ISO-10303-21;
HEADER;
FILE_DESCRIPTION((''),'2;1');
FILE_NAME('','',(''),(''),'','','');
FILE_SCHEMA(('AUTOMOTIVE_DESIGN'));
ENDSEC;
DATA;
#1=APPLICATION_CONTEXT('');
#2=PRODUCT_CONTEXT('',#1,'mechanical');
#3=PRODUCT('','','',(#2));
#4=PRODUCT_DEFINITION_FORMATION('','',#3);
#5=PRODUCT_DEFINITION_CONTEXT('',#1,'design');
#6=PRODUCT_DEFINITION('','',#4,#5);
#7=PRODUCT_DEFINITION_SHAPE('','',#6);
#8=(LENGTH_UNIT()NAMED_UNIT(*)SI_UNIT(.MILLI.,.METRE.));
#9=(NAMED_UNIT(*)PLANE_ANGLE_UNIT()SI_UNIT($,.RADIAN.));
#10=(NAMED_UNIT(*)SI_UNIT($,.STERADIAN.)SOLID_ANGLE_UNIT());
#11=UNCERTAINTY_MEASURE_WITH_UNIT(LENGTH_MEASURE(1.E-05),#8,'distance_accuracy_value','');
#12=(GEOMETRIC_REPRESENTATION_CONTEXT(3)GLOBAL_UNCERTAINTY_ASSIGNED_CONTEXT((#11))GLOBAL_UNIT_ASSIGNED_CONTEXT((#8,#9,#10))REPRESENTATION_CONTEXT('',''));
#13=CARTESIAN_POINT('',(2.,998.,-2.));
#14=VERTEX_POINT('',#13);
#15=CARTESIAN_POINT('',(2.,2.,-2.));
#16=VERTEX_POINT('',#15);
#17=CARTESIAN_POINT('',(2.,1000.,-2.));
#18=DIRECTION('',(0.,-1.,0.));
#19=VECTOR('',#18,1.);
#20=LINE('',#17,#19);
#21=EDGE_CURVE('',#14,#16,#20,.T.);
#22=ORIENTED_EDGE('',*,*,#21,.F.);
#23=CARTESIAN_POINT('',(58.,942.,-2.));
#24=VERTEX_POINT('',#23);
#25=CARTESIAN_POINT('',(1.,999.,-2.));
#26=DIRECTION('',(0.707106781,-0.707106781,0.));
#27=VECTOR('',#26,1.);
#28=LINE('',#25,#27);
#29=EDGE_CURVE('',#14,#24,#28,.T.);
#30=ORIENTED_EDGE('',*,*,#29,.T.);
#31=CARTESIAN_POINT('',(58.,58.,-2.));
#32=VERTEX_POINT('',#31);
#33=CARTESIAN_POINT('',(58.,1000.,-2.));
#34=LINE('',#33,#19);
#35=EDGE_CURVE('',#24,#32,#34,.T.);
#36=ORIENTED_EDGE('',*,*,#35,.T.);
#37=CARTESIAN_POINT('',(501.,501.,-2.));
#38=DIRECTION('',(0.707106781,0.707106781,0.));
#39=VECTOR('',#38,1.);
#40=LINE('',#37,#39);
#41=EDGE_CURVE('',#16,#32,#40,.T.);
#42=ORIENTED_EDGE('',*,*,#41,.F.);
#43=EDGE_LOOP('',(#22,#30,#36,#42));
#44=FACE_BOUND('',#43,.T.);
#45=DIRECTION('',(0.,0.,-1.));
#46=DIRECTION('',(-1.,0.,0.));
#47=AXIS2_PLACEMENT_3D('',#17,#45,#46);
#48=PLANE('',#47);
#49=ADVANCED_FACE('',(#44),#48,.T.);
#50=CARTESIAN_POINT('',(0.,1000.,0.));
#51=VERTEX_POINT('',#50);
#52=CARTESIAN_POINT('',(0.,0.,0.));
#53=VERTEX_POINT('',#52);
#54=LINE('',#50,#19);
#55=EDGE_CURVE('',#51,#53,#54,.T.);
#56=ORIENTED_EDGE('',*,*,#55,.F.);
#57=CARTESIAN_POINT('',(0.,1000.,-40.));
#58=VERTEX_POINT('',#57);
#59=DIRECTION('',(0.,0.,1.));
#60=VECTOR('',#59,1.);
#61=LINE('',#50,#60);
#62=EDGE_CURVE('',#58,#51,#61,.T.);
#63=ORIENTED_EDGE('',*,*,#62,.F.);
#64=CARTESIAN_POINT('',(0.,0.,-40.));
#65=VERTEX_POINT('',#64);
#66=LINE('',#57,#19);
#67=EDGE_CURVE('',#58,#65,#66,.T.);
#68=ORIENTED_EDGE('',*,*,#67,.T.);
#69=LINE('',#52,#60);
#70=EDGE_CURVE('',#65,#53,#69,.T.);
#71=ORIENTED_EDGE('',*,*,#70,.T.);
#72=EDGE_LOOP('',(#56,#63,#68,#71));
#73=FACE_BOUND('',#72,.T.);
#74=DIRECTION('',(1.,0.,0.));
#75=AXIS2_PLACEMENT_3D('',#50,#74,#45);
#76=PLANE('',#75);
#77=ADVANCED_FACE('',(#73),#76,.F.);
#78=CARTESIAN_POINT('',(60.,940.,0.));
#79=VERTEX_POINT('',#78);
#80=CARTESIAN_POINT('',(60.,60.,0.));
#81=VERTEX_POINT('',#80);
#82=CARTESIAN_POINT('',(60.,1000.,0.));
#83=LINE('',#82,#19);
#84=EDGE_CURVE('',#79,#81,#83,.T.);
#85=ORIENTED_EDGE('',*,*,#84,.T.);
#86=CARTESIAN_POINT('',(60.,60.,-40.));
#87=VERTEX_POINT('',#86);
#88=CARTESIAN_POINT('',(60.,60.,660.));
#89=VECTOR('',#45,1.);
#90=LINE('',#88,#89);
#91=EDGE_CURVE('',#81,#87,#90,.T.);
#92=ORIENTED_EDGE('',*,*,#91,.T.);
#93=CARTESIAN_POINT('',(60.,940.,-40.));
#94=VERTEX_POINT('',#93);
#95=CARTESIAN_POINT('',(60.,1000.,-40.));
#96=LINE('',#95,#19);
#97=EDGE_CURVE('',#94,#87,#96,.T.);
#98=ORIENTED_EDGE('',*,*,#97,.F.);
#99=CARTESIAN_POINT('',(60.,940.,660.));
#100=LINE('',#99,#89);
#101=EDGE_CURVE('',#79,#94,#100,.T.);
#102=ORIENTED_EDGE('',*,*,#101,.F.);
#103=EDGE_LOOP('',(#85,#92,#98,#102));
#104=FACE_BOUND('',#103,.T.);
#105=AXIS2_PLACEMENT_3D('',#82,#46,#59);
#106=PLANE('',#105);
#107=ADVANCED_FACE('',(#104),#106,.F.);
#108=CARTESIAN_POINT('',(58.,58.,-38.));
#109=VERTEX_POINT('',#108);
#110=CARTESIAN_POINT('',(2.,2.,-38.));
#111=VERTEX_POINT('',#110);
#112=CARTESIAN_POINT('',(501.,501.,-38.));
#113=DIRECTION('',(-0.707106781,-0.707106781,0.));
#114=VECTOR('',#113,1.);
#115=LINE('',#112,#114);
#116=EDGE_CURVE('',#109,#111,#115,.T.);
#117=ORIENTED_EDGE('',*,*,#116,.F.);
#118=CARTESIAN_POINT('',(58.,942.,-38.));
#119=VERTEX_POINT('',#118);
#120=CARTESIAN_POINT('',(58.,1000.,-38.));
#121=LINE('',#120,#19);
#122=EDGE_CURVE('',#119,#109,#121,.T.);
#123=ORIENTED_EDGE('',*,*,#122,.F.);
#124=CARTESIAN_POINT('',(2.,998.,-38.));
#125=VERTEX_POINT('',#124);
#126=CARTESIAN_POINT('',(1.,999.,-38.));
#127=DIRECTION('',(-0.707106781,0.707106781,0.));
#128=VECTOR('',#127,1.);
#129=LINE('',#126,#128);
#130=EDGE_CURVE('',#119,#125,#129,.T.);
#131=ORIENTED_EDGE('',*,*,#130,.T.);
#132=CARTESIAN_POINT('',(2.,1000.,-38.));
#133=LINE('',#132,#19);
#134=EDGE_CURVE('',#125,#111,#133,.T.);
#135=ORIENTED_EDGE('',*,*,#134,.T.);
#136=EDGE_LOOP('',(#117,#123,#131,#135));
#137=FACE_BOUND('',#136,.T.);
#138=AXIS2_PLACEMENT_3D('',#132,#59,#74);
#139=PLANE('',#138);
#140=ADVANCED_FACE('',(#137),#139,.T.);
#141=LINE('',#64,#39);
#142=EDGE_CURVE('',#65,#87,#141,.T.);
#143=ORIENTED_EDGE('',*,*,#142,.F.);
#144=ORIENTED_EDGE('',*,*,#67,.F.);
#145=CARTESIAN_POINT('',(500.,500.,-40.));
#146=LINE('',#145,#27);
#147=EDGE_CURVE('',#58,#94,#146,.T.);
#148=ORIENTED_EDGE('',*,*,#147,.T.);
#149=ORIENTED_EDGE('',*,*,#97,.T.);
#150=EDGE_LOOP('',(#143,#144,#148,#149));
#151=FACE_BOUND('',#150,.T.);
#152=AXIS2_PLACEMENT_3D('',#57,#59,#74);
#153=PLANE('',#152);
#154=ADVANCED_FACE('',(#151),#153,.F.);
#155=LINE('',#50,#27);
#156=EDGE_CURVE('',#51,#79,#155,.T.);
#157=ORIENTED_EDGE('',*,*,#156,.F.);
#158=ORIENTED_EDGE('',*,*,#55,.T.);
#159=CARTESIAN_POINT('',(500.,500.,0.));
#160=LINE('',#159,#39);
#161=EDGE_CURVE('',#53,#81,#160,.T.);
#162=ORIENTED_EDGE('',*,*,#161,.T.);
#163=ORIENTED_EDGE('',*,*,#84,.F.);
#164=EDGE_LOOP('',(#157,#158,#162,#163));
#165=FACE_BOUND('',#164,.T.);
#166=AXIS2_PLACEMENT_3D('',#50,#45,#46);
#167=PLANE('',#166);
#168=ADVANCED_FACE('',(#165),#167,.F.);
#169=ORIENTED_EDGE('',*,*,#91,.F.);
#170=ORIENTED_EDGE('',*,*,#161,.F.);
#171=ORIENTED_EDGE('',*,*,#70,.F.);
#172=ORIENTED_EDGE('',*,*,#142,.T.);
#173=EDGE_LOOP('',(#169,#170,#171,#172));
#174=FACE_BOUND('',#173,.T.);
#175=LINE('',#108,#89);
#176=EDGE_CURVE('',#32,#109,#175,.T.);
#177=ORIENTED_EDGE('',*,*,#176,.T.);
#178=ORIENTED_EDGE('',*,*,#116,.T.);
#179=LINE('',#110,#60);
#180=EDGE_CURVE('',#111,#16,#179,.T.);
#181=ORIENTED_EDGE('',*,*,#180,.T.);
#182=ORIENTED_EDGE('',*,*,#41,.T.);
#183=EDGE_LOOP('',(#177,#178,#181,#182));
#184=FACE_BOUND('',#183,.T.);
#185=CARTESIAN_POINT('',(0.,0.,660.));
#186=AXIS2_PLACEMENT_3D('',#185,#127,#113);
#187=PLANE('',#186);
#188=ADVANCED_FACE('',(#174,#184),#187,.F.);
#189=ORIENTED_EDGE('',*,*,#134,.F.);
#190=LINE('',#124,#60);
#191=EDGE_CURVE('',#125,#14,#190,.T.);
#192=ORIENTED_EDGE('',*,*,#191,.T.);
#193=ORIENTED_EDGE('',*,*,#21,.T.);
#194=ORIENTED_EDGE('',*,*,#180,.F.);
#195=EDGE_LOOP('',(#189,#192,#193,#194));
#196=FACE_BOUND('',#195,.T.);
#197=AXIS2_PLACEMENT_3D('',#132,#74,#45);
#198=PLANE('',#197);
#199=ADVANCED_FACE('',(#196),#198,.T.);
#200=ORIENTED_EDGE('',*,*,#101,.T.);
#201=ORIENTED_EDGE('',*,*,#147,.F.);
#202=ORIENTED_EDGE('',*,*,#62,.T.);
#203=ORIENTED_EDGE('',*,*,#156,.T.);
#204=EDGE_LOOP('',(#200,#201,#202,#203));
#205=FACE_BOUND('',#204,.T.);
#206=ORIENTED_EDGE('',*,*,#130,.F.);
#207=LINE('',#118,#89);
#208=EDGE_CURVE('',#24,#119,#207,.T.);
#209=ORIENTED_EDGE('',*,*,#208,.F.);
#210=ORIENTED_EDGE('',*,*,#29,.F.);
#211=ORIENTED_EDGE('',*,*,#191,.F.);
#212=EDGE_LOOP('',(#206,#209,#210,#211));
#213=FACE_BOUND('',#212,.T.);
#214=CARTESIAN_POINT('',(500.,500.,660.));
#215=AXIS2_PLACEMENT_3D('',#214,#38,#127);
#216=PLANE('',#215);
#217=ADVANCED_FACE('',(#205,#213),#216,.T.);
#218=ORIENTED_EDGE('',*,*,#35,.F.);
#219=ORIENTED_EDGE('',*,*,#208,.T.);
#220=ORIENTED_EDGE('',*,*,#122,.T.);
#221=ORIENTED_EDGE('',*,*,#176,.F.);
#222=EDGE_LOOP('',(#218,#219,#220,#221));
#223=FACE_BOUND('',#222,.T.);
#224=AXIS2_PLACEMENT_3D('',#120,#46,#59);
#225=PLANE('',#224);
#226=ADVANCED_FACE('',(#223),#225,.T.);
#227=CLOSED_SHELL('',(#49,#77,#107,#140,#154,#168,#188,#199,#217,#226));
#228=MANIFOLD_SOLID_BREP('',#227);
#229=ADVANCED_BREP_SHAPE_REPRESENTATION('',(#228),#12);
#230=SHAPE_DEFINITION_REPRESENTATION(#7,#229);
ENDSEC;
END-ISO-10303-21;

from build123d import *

# Parameters (mm, degrees)
IZIM1_W                     = 60
IZIM1_H                     = 40
IZIM1_W_2                   = 56
IZIM1_H_2                   = 36
Y_KSEKLIK_EKSTR_ZYON1_DEPTH = 1000
KES_EKSTR_ZYON1_DEPTH       = 700


with BuildPart() as part:
    # Çizim1 → Yükseklik-Ekstrüzyon1 (new body)
    with BuildSketch(Plane(origin=(0, 0, 0), x_dir=(1, 0, 0), z_dir=(0, 1, 0))):
        with Locations((30, 20)):
            Rectangle(IZIM1_W, IZIM1_H)
        with Locations((30, 20)):
            Rectangle(IZIM1_W_2, IZIM1_H_2, mode=Mode.SUBTRACT)
    extrude(amount=Y_KSEKLIK_EKSTR_ZYON1_DEPTH)

    # Çizim2 → Kes-Ekstrüzyon1 (cut)
    with BuildSketch(Plane(origin=(0, 0, -40), x_dir=(-1, 0, 0), z_dir=(0, 0, -1))):
        Polygon((-60, 940), (0, 1000), (-60, 1000), align=None)
        Polygon((-60, 0), (0, 0), (-60, 60), align=None)
    extrude(amount=-KES_EKSTR_ZYON1_DEPTH, mode=Mode.SUBTRACT)


solid = part.part
